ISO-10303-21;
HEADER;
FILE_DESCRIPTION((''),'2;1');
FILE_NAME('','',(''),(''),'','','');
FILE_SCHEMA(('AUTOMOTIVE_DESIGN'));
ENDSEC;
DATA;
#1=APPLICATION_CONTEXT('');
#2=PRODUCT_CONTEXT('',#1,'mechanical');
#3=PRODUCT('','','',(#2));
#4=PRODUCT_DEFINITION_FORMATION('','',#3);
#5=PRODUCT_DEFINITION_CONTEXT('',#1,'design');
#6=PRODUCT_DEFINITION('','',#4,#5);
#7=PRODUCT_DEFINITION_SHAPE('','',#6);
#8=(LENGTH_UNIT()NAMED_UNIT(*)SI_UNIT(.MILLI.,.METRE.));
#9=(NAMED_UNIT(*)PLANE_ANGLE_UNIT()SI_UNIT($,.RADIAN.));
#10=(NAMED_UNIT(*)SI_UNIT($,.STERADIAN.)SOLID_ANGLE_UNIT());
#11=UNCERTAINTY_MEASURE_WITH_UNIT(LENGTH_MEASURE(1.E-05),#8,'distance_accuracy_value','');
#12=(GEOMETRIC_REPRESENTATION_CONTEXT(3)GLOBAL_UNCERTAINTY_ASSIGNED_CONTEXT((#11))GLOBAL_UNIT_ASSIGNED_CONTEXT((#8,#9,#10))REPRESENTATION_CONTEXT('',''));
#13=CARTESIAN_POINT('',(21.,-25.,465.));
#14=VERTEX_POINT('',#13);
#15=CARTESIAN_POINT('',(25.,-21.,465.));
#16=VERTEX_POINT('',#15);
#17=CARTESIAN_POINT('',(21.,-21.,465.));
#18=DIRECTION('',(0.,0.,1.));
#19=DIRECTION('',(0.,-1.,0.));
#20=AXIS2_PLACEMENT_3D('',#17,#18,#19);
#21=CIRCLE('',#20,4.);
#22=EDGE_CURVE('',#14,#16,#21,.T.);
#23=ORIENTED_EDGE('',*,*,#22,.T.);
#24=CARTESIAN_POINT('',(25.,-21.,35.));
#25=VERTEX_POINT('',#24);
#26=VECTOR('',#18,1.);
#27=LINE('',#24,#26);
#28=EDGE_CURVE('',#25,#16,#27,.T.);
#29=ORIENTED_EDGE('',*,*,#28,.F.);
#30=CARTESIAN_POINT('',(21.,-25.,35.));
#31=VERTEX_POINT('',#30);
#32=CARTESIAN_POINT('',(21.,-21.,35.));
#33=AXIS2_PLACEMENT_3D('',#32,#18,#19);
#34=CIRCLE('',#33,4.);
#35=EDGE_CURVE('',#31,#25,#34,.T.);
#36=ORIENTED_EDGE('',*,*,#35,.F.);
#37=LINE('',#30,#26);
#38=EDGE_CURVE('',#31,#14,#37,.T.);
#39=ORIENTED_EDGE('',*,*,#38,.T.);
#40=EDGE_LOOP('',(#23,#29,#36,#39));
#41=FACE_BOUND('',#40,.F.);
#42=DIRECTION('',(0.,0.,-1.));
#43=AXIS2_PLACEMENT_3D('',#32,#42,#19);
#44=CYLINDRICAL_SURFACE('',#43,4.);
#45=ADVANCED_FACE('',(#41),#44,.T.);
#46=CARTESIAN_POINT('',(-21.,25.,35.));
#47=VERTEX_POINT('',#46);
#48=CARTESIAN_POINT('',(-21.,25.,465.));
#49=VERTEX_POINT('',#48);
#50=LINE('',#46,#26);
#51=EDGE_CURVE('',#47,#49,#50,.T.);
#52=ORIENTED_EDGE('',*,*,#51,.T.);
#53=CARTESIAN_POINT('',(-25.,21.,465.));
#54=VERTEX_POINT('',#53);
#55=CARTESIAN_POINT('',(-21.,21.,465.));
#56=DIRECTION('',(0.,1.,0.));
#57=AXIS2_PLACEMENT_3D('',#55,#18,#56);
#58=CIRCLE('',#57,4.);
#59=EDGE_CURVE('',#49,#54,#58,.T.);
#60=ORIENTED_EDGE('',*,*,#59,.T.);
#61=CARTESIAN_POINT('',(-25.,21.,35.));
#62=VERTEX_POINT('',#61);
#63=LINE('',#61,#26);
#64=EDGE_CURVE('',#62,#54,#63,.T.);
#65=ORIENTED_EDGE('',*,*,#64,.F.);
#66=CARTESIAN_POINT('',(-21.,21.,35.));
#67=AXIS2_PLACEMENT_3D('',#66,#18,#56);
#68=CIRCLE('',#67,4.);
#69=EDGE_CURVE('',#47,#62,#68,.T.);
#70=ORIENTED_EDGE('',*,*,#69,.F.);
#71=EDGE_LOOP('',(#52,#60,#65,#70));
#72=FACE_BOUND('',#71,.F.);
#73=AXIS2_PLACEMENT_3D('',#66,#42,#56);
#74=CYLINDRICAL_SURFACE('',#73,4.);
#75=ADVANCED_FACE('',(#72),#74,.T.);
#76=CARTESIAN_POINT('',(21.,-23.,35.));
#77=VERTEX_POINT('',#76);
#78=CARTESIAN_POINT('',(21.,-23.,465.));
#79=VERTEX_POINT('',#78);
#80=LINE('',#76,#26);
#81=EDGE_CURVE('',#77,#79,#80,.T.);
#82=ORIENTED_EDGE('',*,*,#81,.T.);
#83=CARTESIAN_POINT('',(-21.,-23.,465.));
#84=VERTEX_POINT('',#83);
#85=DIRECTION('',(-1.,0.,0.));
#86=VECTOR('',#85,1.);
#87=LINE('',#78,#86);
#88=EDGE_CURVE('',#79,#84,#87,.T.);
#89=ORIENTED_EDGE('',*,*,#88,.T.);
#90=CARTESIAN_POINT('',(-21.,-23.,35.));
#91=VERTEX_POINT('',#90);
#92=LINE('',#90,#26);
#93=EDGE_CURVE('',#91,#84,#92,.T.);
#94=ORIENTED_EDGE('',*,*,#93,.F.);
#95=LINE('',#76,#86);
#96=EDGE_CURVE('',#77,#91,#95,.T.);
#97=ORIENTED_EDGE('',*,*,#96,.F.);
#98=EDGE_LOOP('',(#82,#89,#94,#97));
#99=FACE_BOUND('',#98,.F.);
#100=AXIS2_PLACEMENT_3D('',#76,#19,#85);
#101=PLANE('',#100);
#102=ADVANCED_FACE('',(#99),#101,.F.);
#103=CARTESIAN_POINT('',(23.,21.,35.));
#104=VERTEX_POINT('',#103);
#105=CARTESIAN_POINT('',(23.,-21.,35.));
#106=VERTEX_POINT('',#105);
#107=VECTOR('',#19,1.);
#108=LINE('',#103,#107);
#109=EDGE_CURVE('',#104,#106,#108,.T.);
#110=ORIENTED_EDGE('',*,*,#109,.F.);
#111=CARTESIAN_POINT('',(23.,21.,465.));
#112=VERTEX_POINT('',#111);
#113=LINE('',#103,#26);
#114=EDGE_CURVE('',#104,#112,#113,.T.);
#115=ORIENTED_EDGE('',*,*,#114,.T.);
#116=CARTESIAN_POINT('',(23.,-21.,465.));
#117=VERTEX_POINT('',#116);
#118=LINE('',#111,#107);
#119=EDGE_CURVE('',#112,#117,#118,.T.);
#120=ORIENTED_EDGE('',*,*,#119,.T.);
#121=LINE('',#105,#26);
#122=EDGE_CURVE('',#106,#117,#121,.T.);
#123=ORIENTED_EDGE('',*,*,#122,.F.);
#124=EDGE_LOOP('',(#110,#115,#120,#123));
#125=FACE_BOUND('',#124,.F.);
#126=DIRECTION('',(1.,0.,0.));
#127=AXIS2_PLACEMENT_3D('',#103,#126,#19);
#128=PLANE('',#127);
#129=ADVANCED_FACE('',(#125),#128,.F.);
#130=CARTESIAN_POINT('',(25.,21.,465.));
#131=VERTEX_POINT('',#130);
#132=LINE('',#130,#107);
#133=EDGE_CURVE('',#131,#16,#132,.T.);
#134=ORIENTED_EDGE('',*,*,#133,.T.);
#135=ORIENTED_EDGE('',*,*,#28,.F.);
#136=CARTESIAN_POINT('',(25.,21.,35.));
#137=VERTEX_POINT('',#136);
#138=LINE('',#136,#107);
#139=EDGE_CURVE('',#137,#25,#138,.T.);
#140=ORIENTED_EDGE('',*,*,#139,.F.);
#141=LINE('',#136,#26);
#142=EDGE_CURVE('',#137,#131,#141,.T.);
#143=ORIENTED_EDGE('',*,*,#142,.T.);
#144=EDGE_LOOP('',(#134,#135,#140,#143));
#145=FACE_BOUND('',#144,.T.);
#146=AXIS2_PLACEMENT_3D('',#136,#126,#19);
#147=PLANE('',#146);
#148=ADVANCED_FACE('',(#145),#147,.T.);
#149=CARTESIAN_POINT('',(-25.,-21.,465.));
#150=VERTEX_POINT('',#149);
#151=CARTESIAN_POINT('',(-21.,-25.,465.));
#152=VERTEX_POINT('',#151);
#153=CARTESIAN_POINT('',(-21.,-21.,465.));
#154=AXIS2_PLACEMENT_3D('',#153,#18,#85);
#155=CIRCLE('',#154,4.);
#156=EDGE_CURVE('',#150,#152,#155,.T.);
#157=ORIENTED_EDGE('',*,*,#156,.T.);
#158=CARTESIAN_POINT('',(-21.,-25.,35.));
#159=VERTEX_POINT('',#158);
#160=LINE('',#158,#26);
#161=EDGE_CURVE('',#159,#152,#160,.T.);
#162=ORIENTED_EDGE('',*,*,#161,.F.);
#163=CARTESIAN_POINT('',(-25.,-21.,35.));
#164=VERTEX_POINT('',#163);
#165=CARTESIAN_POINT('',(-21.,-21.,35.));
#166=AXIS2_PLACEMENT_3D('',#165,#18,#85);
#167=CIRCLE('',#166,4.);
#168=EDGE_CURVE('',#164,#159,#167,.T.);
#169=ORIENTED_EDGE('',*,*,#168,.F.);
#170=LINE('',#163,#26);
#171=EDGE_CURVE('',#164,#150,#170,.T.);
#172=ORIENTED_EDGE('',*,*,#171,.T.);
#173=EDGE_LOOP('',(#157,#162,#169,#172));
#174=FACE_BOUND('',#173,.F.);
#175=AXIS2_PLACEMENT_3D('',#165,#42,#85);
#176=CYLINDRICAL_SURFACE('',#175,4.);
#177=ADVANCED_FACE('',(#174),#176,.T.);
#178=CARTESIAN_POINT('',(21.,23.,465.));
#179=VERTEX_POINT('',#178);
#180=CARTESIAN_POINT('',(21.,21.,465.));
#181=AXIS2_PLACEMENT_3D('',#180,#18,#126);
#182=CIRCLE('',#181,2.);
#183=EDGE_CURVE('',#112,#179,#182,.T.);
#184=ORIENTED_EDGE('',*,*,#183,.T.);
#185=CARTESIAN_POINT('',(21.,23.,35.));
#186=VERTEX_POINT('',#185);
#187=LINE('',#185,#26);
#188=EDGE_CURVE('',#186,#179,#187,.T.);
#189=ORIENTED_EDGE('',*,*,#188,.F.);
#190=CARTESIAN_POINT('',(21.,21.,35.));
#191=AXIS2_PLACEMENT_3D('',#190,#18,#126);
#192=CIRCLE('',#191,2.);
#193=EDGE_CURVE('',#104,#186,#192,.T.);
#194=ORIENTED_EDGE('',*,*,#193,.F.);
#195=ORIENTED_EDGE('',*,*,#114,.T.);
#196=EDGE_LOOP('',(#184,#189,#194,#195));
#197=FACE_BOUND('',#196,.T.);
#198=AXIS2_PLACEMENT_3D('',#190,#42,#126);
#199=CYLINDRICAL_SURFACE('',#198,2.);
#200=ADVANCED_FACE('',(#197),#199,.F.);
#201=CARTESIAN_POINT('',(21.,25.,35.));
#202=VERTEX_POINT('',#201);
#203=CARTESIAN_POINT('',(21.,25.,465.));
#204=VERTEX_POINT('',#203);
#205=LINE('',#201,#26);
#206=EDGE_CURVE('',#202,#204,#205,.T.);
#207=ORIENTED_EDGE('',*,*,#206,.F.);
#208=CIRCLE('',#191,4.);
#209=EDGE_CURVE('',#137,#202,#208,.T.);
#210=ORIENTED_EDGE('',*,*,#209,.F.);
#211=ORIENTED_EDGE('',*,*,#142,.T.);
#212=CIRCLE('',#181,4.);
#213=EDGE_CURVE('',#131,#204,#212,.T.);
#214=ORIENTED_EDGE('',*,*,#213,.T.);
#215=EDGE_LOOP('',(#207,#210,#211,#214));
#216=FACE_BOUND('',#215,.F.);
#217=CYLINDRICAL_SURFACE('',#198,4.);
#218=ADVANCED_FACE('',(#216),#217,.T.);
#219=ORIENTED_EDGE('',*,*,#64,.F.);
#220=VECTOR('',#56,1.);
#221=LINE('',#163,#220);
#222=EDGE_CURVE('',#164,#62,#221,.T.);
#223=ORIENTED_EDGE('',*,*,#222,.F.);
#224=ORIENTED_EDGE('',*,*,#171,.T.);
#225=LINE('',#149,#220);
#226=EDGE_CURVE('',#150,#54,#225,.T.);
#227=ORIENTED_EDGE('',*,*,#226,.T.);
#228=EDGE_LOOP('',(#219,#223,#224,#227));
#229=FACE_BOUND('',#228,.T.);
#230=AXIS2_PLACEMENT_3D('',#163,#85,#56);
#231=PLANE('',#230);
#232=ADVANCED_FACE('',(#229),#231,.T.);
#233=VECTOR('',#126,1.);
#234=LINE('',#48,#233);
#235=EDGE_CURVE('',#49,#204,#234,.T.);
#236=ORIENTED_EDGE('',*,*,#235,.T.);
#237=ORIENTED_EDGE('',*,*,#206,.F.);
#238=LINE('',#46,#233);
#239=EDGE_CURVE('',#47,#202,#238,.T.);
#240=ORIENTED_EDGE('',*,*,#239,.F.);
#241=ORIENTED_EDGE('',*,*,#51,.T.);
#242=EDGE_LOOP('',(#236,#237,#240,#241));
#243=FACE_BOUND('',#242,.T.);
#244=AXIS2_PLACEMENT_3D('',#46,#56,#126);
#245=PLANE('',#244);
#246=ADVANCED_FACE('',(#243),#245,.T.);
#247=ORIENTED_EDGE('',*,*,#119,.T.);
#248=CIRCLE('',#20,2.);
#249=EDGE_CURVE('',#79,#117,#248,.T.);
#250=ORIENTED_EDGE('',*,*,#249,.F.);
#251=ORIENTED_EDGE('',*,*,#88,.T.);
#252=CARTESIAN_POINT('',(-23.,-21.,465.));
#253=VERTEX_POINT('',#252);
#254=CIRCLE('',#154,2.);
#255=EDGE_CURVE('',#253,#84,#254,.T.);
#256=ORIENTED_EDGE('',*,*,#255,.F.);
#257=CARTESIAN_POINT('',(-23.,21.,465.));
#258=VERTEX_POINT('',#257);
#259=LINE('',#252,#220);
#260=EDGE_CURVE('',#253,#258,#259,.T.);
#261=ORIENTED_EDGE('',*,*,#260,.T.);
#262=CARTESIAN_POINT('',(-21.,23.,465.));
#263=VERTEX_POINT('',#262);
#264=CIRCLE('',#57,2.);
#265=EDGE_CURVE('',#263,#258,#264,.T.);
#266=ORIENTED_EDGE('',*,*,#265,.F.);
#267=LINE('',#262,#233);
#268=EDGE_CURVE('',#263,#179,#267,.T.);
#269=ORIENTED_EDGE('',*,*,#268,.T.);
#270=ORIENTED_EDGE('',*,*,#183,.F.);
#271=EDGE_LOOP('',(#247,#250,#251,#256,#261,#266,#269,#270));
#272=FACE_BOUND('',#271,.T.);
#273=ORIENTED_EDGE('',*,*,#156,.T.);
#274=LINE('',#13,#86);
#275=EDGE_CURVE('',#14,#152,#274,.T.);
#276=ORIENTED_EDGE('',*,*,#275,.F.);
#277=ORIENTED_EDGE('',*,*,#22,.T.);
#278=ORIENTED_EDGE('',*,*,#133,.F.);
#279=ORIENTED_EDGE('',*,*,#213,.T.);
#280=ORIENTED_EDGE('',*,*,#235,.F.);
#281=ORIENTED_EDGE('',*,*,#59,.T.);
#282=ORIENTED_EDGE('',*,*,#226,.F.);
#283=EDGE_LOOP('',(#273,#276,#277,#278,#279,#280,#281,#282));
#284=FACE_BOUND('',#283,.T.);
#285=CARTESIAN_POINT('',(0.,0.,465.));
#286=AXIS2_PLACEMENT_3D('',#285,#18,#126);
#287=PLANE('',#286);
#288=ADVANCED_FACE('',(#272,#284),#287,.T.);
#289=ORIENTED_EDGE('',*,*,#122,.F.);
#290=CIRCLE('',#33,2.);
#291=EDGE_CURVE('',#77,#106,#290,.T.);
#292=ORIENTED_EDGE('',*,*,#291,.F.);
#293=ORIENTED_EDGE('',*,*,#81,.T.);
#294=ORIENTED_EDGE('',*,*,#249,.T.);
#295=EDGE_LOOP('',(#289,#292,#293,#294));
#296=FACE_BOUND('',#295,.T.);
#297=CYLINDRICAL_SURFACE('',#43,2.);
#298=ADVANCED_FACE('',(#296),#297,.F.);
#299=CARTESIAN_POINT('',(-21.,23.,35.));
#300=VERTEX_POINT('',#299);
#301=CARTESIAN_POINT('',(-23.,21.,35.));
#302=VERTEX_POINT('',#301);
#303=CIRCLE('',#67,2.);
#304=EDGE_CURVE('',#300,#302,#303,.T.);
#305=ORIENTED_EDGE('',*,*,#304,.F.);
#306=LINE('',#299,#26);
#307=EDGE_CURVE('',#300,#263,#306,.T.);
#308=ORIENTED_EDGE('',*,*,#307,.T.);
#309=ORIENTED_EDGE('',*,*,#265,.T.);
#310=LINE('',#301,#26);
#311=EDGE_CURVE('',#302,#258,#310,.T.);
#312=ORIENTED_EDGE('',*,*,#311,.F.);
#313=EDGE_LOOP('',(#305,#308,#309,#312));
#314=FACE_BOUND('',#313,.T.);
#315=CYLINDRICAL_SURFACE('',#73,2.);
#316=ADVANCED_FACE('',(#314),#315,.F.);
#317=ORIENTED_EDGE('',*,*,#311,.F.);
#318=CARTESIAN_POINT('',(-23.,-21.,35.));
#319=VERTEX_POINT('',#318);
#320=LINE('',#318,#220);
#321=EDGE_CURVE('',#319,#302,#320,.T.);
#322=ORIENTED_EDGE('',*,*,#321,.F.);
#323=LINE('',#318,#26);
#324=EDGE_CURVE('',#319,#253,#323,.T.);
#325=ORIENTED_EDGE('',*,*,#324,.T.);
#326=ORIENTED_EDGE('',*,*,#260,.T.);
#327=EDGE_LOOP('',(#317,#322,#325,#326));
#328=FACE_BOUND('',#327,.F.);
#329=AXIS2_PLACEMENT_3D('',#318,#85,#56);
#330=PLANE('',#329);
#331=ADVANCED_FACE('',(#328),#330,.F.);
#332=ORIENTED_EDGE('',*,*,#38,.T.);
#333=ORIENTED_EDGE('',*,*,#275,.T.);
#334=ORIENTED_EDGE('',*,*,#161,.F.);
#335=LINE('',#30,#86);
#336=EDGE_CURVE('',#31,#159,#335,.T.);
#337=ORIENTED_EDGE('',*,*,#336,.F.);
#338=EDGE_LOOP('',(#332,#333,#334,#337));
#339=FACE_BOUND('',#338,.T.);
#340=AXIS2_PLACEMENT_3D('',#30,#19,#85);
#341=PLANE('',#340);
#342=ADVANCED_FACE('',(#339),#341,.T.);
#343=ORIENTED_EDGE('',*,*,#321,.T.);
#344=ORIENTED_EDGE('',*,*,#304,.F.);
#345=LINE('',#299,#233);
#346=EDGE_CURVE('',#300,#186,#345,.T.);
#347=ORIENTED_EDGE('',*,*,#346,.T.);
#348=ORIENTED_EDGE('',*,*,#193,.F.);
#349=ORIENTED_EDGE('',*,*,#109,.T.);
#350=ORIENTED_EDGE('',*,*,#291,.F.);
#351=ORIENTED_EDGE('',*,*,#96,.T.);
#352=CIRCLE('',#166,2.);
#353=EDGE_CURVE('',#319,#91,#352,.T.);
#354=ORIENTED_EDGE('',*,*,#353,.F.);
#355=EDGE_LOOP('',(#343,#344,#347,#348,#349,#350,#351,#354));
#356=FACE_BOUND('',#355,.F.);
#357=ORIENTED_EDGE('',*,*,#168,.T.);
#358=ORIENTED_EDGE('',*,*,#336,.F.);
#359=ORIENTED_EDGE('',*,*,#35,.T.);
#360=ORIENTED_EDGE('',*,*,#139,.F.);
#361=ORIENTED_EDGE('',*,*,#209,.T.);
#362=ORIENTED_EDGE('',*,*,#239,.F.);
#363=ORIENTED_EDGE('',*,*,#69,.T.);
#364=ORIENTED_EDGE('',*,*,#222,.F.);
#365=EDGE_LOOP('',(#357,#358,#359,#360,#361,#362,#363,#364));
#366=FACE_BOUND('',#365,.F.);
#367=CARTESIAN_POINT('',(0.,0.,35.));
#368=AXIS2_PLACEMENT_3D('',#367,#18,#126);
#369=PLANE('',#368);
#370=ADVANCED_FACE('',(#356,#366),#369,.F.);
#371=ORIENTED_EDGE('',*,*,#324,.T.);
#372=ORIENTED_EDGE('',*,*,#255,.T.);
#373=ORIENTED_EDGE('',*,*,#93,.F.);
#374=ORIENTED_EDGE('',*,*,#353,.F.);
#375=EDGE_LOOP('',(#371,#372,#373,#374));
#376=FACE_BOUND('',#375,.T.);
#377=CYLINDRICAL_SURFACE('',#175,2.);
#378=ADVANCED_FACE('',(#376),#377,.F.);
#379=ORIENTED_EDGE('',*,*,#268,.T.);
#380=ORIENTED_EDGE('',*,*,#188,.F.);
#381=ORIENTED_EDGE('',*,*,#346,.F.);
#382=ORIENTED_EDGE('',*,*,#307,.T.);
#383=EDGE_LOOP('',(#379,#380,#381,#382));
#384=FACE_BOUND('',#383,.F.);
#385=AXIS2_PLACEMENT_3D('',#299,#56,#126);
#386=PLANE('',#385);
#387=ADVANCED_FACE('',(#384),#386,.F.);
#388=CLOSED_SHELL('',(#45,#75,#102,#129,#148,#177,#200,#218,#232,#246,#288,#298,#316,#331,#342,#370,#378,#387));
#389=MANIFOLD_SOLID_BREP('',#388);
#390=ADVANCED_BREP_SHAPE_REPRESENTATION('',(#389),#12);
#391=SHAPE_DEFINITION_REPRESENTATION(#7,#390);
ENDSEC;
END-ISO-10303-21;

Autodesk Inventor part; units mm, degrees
ref_plane "Plano inicial" through (0, 0, 35) normal (0, 0, 1) x (1, 0, 0)
ref_plane "Plano final" through (0, 0, 465) normal (0, 0, 1) x (1, 0, 0)
sketch "Boceto" plane through (0, 0, 0) normal (0, 0, 1) x (1, 0, 0)
  line L0 (-25, -21) -> (-25, 21)
  line L1 (-21, 25) -> (21, 25)
  line L2 (25, 21) -> (25, -21)
  line L3 (21, -25) -> (-21, -25)
  arc A0 (-25, -21) -> (-21, -25) centre (-21, -21) ccw
  arc A1 (25, 21) -> (21, 25) centre (21, 21) ccw
  arc A2 (-21, 25) -> (-25, 21) centre (-21, 21) ccw
  arc A3 (21, -25) -> (25, -21) centre (21, -21) ccw
  arc A4 (-21, 23) -> (-23, 21) centre (-21, 21) ccw
  line L4 (-21, 23) -> (21, 23)
  arc A5 (23, 21) -> (21, 23) centre (21, 21) ccw
  line L5 (23, 21) -> (23, -21)
  arc A6 (21, -23) -> (23, -21) centre (21, -21) ccw
  line L6 (21, -23) -> (-21, -23)
  arc A7 (-23, -21) -> (-21, -23) centre (-21, -21) ccw
  line L7 (-23, -21) -> (-23, 21)
  line L8 (0, 36.1598) -> (0, -36.1598) construction
  line L9 (-36.1598, 0) -> (36.1598, 0) construction
  dimension "d7" = 4
  dimension "d9" = 50
  dimension "d11" = 50
  dimension "d12" = 2
  dimension "d15" = 25
  dimension "d16" = 25
extrude "Cuerpo" add sketch "Boceto" along normal up to surface (430 mm away) from surface at 35
sketch "Sketch3" plane through (0, 0, 0) normal (0, 0, 1) x (1, 0, 0)
  line L0 (0, 0) -> (10, 0)
ref_plane "Work Plane3" through (0, 0, 0) normal (0, -1, 0) x (1, 0, 0)
sketch "Sketch4" plane through (0, 0, 0) normal (0, -1, 0) x (1, 0, 0)
  line L0 (-2, 35) -> (12, 35)
  line L1 (-2, 465) -> (12, 465)
  dimension "d18" = 430
ref_plane "Plano de trabajo4" through (410, 29, 35) normal (0, 0, -1) x (-1, 0, 0)
split "Dividir1" plane through (410, 29, 35) removes the side toward (0, 0, -1)
ref_plane "Plano de trabajo5" through (410, -29, 465) normal (0, 0, 1) x (1, 0, 0)
split "Dividir2" plane through (410, -29, 465) removes the side toward (0, 0, 1)
equation "\"d7\" = G_IR"
equation "\"d9\" = G_W"
equation "\"d11\" = G_H"
equation "\"d12\" = G_T"
equation "\"d15\" = 0.5 * d9"
equation "\"d16\" = 0.5 * d11"
equation "\"d3\" = G_L"
equation "\"G_W\" = 50"
equation "\"G_H\" = 50"
equation "\"G_T\" = 2"
equation "\"G_IR\" = 4"
equation "\"G_L\" = d18"
equation "\"G_OFFSET_START\" = -35"
equation "\"G_OFFSET_END\" = -35"
equation "\"d13\" = -G_OFFSET_START"
equation "\"d14\" = G_OFFSET_END + B_L"
equation "\"B_L\" = 500"
properties part number "ISO 10799-2 - 50x50x2 - 430" material "Galvanizado catalogo 1"
